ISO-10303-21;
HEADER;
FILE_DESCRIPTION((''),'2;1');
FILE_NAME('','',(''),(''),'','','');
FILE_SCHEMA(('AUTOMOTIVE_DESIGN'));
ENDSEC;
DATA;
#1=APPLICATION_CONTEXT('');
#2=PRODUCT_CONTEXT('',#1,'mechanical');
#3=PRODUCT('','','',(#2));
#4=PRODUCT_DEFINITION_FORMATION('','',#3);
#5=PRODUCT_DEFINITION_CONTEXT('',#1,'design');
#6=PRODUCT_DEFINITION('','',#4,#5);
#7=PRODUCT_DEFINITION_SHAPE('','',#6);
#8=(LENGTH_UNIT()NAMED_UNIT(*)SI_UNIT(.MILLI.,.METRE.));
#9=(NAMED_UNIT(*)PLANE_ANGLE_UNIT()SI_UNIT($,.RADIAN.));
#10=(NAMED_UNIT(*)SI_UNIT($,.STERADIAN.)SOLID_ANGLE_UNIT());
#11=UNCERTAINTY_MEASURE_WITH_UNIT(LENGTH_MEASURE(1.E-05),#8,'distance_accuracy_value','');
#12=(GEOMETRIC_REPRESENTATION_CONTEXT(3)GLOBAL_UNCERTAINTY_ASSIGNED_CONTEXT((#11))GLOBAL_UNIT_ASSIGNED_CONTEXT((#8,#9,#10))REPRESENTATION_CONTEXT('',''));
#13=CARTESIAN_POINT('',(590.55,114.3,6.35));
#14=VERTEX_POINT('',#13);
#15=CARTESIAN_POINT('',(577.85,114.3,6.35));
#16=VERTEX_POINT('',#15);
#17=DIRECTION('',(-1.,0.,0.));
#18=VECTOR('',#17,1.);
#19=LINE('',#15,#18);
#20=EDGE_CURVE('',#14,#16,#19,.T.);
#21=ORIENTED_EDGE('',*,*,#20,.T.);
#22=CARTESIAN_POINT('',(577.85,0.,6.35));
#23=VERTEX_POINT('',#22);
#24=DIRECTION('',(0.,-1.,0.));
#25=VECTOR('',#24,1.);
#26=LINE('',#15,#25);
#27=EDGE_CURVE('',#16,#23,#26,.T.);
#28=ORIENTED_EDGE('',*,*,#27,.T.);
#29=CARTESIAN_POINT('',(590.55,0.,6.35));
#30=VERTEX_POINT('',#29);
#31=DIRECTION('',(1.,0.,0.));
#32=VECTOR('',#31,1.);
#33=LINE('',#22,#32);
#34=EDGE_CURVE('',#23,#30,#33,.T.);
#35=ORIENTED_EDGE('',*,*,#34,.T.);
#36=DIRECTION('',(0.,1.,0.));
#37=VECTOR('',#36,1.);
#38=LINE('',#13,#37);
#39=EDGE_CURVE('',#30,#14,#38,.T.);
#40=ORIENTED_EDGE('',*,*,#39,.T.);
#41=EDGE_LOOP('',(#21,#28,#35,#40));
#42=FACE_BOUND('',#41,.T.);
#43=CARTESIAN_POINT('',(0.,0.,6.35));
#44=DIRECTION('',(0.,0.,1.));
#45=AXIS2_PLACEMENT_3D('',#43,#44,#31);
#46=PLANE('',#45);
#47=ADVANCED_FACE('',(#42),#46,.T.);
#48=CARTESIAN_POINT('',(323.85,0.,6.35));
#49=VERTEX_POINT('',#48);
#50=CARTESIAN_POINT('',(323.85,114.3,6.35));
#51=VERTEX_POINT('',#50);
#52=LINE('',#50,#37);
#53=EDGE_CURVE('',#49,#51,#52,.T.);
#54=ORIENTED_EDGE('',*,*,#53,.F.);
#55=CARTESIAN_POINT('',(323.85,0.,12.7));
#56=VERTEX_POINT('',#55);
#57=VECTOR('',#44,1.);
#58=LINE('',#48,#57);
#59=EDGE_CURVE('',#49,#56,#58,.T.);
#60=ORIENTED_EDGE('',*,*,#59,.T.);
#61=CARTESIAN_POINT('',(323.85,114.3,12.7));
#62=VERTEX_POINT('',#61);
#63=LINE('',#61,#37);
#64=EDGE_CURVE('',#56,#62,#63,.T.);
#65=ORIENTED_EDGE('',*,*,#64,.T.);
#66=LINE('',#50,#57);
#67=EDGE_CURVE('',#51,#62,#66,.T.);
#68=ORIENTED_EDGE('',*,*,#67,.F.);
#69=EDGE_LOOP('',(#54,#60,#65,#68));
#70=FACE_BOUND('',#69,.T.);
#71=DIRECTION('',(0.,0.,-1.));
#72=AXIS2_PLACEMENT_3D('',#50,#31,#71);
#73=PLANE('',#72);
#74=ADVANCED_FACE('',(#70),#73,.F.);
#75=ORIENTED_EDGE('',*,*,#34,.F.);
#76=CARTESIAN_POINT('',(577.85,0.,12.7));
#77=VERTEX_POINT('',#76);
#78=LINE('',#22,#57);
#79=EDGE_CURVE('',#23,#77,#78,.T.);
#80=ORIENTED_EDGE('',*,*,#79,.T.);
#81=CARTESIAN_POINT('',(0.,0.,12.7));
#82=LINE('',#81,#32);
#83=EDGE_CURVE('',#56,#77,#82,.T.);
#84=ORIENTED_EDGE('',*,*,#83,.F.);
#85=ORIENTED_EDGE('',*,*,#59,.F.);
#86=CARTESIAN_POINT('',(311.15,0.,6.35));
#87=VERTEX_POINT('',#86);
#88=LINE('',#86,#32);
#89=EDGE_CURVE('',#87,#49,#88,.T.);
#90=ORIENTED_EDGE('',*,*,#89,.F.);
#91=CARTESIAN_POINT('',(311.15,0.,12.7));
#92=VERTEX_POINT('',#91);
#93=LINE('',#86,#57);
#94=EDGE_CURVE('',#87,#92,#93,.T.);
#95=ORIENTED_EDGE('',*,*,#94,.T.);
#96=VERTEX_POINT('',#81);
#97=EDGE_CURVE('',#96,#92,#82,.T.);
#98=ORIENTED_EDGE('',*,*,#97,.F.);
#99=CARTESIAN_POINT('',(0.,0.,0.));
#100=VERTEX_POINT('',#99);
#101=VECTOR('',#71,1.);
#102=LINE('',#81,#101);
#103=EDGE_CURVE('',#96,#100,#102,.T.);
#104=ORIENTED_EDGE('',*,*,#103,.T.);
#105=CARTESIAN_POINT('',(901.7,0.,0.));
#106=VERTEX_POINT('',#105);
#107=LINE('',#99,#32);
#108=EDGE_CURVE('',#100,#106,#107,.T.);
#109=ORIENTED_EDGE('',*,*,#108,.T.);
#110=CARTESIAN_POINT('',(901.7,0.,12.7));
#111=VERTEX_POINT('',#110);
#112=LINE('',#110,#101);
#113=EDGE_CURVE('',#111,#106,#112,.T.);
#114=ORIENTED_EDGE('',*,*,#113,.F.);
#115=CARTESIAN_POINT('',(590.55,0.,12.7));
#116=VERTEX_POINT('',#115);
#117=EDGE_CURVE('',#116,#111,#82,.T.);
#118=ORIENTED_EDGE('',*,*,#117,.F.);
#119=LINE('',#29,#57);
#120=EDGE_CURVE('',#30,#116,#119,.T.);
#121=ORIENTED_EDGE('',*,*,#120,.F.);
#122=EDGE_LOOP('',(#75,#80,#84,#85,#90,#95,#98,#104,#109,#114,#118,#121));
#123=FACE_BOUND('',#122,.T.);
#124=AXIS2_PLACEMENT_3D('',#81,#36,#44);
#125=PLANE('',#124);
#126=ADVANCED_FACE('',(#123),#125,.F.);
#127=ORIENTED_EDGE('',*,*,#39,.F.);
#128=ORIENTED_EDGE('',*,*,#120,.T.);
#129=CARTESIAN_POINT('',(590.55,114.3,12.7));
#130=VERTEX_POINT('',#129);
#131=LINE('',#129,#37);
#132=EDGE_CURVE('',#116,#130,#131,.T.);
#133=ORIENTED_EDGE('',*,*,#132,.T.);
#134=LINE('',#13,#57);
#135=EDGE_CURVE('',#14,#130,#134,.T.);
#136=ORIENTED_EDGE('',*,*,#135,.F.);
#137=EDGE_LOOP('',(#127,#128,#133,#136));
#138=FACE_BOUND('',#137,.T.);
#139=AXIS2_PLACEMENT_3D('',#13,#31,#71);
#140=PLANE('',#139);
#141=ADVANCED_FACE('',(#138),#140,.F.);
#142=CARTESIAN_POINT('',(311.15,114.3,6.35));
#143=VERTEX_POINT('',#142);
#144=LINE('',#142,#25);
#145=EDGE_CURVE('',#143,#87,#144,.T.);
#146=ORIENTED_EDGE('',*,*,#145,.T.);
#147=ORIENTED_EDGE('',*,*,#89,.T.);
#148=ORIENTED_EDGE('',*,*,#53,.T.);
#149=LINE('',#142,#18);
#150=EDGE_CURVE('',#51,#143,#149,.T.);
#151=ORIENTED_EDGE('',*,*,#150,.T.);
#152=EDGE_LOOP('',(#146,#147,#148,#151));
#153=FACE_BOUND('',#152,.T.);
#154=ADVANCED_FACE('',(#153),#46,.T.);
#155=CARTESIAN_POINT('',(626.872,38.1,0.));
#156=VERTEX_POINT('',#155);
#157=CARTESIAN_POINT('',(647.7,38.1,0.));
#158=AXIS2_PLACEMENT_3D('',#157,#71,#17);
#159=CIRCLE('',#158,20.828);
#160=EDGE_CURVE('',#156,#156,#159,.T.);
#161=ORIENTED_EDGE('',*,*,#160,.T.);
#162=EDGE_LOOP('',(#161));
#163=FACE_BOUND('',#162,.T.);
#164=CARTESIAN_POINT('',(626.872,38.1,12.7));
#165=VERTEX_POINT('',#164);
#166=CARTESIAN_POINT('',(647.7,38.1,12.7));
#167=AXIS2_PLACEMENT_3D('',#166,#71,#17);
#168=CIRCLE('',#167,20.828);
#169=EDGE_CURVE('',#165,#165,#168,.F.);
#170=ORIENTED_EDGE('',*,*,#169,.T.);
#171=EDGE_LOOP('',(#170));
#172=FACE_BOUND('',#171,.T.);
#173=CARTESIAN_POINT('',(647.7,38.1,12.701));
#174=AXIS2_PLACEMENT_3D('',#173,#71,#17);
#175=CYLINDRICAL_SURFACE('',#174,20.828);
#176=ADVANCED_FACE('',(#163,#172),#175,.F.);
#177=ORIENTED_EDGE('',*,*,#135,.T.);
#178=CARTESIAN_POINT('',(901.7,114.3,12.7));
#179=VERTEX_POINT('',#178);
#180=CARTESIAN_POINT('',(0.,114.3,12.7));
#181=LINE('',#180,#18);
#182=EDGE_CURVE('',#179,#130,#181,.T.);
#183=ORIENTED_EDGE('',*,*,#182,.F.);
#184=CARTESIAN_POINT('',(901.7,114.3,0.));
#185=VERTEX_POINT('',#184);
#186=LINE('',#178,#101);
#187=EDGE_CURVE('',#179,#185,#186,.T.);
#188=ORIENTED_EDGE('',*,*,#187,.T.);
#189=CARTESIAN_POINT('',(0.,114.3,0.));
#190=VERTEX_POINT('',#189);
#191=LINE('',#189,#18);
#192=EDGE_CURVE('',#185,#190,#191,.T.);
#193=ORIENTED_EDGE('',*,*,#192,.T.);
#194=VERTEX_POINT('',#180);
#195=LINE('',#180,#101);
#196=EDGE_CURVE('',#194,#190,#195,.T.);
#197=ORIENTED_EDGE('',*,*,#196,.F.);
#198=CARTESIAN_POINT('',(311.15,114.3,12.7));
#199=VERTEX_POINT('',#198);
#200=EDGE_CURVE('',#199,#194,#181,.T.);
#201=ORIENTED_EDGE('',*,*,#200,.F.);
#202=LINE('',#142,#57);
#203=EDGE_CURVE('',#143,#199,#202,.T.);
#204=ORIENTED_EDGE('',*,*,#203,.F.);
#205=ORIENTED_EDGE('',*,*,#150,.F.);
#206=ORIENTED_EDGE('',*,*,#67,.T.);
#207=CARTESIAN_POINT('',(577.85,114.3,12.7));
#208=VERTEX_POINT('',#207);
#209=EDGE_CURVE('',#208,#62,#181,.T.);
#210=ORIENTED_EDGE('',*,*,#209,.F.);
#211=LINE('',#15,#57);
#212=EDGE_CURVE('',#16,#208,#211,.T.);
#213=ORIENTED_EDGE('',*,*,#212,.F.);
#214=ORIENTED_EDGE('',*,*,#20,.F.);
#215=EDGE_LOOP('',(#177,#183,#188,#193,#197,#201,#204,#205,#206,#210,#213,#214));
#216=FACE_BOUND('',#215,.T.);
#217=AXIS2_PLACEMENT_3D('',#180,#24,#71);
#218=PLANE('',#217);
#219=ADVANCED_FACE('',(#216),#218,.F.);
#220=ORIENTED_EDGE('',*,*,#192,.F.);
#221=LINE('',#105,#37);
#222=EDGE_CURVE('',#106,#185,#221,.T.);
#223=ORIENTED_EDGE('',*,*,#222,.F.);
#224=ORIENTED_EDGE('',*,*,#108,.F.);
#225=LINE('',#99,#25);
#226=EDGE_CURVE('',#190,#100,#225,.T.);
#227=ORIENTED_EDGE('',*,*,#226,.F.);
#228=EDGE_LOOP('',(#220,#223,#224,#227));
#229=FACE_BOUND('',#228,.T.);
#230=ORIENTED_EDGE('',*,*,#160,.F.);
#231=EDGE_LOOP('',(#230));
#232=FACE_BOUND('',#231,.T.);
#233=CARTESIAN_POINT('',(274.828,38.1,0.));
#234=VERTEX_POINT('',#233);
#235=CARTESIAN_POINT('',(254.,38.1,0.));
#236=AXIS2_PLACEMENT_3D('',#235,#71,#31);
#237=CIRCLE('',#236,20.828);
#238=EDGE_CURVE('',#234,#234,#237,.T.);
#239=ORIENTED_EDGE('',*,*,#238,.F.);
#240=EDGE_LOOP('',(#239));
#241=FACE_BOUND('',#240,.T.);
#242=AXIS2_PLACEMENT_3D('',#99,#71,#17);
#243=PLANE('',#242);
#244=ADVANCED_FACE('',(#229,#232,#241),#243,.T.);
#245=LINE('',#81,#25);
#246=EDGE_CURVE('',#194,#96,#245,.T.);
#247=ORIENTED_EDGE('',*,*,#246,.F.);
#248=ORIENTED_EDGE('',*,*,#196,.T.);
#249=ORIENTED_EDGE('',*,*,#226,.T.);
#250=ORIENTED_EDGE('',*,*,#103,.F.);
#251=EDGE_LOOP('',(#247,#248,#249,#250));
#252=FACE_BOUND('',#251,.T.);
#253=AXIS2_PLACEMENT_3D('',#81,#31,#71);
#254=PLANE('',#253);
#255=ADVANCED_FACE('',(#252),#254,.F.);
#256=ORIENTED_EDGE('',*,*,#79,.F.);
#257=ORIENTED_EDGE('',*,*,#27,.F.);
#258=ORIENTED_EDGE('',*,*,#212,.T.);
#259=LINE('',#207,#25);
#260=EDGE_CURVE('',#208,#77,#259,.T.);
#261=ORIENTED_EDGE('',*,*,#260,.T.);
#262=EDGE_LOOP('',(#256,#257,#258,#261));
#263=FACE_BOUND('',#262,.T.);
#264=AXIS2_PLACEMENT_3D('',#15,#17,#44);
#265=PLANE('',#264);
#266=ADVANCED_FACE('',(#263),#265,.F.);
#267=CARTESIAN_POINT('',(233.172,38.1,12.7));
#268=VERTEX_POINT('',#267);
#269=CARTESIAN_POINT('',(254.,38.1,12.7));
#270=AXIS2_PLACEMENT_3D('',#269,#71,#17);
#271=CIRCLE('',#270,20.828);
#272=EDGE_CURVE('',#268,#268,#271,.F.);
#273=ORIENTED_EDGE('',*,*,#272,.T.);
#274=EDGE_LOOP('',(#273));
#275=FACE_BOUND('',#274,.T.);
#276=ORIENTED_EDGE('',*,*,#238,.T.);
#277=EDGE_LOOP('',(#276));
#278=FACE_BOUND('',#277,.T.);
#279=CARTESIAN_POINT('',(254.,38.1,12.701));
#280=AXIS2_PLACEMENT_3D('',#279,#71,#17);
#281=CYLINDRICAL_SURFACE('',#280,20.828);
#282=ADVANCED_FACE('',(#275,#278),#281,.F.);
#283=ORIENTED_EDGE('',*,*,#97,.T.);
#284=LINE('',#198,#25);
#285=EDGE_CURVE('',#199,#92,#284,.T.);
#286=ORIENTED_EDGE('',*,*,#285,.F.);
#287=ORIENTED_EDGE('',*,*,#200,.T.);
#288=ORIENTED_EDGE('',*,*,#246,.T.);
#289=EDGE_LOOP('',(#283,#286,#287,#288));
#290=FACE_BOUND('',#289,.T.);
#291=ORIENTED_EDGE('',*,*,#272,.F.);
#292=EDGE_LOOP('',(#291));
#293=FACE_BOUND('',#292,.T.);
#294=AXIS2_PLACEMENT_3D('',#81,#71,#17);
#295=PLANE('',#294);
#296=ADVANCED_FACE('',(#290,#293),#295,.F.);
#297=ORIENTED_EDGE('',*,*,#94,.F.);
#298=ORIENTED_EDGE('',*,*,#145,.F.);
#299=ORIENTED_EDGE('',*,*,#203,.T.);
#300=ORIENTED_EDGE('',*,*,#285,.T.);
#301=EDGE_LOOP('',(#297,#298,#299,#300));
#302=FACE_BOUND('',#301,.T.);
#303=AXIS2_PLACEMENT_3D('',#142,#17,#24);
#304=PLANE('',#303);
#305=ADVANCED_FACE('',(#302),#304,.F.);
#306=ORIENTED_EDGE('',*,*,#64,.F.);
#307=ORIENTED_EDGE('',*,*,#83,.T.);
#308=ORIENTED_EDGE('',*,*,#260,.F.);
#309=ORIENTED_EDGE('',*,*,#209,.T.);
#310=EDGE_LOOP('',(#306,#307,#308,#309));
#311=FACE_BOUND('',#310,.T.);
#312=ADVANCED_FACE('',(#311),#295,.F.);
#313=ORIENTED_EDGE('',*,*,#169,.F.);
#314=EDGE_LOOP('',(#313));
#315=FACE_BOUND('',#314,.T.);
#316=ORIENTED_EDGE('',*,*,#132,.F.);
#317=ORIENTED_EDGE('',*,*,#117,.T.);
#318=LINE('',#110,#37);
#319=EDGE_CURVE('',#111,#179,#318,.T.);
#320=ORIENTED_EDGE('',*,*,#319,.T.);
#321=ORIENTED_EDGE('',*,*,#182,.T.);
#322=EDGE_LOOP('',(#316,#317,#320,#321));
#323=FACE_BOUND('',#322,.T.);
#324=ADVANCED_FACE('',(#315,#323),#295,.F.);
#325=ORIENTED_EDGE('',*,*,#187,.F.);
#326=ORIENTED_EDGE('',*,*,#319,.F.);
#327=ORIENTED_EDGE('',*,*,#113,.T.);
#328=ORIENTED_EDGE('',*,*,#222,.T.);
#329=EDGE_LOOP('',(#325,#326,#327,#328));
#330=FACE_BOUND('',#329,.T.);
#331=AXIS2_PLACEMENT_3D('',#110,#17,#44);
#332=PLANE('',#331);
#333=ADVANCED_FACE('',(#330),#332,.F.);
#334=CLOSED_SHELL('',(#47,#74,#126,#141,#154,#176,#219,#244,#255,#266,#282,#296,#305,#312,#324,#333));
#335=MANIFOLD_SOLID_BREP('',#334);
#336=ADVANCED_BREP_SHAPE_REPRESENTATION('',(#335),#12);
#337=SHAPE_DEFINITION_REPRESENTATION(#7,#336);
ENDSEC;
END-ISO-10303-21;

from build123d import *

# Parameters (mm, degrees)
SKETCH1_W           = 901.7
SKETCH1_H           = 114.3
BOSS_EXTRUDE1_DEPTH = 12.7
SKETCH2_W           = 12.7
SKETCH2_H           = 114.3
CUT_EXTRUDE1_DEPTH  = 6.35
CUT_EXTRUDE2_REACH  = 911.004
SKETCH3_R           = 20.828


with BuildPart() as part:
    # Sketch1 → Boss-Extrude1 (new body)
    with BuildSketch(Plane.XY):
        with Locations((450.85, 57.15)):
            Rectangle(SKETCH1_W, SKETCH1_H)
    extrude(amount=BOSS_EXTRUDE1_DEPTH)

    # Sketch2 → Cut-Extrude1 (cut)
    with BuildSketch(Plane.XY.offset(12.7)):
        with Locations((317.5, 57.15)):
            Rectangle(SKETCH2_W, SKETCH2_H)
        with Locations((584.2, 57.15)):
            Rectangle(SKETCH2_W, SKETCH2_H)
    extrude(amount=-CUT_EXTRUDE1_DEPTH, mode=Mode.SUBTRACT)

    # Sketch3 → Cut-Extrude2 (cut, up to next)
    with BuildSketch(Plane(origin=(0, 0, 0), x_dir=(-1, 0, 0), z_dir=(0, 0, -1)), mode=Mode.PRIVATE) as cut_extrude2_sk1:
        with Locations((-647.7, 38.1)):
            Circle(SKETCH3_R)
    cut_extrude2_tool1 = extrude(cut_extrude2_sk1.sketch, amount=-CUT_EXTRUDE2_REACH, mode=Mode.PRIVATE) & part.part
    # Sketch3 → Cut-Extrude2 (cut, up to next)
    with BuildSketch(Plane(origin=(0, 0, 0), x_dir=(-1, 0, 0), z_dir=(0, 0, -1)), mode=Mode.PRIVATE) as cut_extrude2_sk2:
        with Locations((-254, 38.1)):
            Circle(SKETCH3_R)
    cut_extrude2_tool2 = extrude(cut_extrude2_sk2.sketch, amount=-CUT_EXTRUDE2_REACH, mode=Mode.PRIVATE) & part.part
    add(cut_extrude2_tool1.solids().sort_by_distance((647.7, 38.1, 0))[0], mode=Mode.SUBTRACT)
    add(cut_extrude2_tool2.solids().sort_by_distance((254, 38.1, 0))[0], mode=Mode.SUBTRACT)


solid = part.part
